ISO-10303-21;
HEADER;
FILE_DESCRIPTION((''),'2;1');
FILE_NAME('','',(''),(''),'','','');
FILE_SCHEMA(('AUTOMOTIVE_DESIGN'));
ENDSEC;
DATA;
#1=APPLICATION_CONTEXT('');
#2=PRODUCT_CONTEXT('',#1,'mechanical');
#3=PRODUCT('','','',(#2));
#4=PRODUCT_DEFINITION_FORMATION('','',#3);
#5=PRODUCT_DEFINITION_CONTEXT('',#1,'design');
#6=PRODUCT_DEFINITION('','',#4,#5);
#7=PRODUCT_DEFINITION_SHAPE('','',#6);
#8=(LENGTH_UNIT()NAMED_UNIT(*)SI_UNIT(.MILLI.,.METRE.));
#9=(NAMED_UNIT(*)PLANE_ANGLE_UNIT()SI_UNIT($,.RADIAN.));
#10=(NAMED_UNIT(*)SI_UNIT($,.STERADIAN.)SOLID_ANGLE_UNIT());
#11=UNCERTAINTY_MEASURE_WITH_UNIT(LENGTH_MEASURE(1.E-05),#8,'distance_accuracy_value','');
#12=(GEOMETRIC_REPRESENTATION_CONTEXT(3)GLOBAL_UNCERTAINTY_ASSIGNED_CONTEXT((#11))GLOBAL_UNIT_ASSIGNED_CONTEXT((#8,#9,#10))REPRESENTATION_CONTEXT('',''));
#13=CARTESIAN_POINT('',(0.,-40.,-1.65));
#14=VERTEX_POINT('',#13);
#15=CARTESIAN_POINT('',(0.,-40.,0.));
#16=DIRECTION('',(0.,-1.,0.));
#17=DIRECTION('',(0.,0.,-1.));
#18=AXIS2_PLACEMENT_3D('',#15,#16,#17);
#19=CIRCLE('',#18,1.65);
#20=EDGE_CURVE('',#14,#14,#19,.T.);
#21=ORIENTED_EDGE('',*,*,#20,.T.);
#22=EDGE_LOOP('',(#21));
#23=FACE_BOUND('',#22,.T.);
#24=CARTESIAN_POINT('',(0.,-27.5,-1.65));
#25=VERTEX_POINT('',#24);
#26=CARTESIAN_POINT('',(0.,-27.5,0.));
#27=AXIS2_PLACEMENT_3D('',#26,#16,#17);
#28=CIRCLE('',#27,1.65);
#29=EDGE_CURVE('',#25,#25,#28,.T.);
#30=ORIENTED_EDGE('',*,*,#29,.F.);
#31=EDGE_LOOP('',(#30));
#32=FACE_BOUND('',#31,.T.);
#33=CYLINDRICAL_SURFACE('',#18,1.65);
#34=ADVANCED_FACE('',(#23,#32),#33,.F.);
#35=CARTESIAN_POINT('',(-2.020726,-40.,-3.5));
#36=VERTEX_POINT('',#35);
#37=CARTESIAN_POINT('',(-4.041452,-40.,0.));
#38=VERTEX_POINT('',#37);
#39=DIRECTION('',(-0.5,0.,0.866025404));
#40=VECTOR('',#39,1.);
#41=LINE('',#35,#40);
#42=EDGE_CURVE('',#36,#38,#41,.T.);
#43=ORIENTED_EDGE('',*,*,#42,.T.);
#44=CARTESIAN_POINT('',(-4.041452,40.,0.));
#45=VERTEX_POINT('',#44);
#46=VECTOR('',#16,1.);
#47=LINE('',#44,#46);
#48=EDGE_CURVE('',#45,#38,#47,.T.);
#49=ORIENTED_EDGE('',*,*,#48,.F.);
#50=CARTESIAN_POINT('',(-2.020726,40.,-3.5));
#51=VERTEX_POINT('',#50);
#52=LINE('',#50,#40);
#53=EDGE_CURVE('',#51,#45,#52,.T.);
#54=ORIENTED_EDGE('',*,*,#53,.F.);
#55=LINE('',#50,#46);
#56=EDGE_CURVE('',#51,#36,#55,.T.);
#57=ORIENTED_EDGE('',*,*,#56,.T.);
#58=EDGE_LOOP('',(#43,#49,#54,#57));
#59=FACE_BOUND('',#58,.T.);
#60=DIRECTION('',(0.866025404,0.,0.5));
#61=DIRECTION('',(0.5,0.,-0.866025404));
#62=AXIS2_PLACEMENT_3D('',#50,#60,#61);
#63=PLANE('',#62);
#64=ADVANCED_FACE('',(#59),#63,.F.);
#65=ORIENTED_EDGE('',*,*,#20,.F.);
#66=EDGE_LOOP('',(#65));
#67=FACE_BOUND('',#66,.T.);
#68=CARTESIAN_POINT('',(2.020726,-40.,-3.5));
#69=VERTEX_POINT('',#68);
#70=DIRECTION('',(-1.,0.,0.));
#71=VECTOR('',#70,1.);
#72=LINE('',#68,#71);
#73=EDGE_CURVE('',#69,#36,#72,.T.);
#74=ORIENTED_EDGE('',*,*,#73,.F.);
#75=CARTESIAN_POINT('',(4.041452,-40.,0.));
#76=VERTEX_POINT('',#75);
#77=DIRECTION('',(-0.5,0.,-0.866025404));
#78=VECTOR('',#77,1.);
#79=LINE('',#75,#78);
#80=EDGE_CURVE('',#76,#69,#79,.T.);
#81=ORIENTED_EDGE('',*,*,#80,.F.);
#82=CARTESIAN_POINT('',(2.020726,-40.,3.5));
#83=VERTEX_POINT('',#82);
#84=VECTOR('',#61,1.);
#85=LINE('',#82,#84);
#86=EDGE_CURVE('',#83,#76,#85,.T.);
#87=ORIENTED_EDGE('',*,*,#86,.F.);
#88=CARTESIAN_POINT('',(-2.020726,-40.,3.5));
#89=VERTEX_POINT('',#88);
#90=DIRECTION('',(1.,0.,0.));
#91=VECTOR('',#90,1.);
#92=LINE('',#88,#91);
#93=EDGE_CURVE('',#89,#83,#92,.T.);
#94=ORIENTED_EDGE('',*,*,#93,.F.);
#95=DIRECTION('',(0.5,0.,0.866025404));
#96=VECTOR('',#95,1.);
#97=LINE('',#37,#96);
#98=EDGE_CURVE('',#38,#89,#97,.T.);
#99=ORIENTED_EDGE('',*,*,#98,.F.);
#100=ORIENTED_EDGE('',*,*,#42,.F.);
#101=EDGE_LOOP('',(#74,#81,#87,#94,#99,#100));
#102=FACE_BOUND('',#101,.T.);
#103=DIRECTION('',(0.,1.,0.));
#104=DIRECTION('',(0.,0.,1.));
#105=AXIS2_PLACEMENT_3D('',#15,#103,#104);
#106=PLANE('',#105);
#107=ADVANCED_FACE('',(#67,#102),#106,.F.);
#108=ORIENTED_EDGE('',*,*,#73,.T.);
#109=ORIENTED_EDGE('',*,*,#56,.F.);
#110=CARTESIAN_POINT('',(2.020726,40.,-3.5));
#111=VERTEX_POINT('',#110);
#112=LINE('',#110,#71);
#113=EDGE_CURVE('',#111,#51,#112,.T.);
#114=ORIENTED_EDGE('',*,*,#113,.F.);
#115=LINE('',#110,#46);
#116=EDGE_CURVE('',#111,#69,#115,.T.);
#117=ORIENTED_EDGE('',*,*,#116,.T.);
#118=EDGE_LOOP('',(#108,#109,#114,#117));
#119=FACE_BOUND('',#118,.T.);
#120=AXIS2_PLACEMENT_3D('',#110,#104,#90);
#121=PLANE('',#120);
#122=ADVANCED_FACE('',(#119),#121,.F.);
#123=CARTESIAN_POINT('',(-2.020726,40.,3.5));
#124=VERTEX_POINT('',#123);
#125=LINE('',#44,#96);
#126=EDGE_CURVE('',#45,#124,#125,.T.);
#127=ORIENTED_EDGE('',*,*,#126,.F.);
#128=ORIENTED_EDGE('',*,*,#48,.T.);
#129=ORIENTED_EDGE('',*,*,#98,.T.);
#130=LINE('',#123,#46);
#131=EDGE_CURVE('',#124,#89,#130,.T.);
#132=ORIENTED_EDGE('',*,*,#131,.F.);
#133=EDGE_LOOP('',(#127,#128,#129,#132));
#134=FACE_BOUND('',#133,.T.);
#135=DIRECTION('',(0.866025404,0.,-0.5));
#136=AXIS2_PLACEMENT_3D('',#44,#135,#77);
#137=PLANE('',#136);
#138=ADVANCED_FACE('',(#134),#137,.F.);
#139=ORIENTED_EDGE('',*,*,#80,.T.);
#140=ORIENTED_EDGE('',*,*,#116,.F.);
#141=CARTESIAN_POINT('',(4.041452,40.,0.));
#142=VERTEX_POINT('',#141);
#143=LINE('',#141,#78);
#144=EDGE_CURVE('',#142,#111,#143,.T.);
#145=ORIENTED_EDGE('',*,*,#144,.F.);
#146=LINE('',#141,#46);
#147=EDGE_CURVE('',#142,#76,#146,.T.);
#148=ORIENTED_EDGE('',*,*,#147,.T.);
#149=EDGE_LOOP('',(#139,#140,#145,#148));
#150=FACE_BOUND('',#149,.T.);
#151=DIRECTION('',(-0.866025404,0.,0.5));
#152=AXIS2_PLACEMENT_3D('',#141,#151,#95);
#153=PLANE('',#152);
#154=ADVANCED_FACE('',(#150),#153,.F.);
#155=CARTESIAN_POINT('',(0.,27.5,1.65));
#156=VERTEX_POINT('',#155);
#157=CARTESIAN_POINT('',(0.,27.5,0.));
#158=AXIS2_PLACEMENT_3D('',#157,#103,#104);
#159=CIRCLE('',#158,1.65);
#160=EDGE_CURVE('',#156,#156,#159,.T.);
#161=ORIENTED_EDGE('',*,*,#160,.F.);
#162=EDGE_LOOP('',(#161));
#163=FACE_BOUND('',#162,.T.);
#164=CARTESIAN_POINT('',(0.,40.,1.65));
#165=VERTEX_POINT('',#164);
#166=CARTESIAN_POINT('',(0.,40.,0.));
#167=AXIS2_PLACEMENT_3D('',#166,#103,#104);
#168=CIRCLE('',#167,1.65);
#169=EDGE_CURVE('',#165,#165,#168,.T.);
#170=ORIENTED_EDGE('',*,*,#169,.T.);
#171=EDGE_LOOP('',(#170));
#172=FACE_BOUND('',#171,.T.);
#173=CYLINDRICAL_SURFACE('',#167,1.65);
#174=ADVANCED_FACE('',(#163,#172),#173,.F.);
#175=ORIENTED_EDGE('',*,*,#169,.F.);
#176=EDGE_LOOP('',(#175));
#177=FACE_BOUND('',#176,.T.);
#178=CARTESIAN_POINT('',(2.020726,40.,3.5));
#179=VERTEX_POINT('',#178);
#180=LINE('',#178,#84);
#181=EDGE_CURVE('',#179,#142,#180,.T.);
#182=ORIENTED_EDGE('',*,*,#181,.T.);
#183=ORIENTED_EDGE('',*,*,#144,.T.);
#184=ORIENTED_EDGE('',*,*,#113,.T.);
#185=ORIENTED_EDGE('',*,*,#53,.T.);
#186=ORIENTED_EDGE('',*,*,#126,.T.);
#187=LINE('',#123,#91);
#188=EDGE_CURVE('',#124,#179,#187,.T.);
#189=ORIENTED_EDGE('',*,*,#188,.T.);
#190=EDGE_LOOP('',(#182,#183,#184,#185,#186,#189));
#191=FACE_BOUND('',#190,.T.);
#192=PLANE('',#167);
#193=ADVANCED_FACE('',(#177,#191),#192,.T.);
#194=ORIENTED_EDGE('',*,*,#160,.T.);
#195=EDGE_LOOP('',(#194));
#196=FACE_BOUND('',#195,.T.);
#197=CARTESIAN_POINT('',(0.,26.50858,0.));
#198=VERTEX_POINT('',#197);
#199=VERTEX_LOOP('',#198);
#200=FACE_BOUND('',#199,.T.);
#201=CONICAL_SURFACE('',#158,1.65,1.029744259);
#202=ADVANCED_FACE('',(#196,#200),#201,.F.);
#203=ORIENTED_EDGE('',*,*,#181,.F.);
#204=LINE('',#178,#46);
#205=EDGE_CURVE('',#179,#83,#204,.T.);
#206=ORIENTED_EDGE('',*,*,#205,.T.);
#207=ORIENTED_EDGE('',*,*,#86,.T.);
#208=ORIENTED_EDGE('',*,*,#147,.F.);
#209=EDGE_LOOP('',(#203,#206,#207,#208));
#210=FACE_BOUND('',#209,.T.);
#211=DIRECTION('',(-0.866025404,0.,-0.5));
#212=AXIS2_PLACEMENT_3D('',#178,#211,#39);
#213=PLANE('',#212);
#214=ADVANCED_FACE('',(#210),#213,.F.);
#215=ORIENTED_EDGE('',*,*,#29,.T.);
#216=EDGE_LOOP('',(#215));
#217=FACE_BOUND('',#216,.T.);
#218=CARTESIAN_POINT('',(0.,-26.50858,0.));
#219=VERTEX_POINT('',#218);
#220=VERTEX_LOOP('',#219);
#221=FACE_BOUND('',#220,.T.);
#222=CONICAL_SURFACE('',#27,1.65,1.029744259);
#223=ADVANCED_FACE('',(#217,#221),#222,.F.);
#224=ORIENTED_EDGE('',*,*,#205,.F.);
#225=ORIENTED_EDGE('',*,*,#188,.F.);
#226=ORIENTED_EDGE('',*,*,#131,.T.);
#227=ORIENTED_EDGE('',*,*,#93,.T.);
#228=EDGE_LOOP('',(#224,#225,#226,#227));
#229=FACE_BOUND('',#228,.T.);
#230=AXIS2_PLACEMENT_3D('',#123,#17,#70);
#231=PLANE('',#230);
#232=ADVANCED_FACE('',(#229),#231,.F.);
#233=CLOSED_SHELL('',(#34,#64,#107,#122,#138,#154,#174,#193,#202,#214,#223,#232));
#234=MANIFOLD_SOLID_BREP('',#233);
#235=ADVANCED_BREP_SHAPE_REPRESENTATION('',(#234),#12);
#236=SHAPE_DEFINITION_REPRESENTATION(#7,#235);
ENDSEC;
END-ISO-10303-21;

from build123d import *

# Parameters (mm, degrees)
SALIENTE_EXTRUIR1_DEPTH = 40


with BuildPart() as part:
    # Croquis1 → Saliente-Extruir1 (new, symmetric)
    with BuildSketch(Plane(origin=(0, 0, 0), x_dir=(1, 0, 0), z_dir=(0, 1, 0))):
        Polygon((-2.020725942, 3.5), (-4.041451884, 0), (-2.020725942, -3.5), (2.020725942, -3.5), (4.041451884, 0), (2.020725942, 3.5), align=None)
    extrude(amount=SALIENTE_EXTRUIR1_DEPTH, both=True)

    # Croquis4 → Taladro roscado M41 (revolve, cut)
    with BuildSketch(Plane(origin=(0, 40, 0), x_dir=(0, 0, 1), z_dir=(1, 0, 0))):
        Polygon((0, 0), (0, 13.491420021), (1.65, 12.5), (1.65, 0), align=None)
    taladro_roscado_m41 = revolve(axis=Axis((0, 46.35, 0), (0, -1, 0)), mode=Mode.SUBTRACT)

    # Simetría1: Taladro roscado M41 across plane
    add(taladro_roscado_m41.mirror(Plane.ZX), mode=Mode.SUBTRACT)


solid = part.part
